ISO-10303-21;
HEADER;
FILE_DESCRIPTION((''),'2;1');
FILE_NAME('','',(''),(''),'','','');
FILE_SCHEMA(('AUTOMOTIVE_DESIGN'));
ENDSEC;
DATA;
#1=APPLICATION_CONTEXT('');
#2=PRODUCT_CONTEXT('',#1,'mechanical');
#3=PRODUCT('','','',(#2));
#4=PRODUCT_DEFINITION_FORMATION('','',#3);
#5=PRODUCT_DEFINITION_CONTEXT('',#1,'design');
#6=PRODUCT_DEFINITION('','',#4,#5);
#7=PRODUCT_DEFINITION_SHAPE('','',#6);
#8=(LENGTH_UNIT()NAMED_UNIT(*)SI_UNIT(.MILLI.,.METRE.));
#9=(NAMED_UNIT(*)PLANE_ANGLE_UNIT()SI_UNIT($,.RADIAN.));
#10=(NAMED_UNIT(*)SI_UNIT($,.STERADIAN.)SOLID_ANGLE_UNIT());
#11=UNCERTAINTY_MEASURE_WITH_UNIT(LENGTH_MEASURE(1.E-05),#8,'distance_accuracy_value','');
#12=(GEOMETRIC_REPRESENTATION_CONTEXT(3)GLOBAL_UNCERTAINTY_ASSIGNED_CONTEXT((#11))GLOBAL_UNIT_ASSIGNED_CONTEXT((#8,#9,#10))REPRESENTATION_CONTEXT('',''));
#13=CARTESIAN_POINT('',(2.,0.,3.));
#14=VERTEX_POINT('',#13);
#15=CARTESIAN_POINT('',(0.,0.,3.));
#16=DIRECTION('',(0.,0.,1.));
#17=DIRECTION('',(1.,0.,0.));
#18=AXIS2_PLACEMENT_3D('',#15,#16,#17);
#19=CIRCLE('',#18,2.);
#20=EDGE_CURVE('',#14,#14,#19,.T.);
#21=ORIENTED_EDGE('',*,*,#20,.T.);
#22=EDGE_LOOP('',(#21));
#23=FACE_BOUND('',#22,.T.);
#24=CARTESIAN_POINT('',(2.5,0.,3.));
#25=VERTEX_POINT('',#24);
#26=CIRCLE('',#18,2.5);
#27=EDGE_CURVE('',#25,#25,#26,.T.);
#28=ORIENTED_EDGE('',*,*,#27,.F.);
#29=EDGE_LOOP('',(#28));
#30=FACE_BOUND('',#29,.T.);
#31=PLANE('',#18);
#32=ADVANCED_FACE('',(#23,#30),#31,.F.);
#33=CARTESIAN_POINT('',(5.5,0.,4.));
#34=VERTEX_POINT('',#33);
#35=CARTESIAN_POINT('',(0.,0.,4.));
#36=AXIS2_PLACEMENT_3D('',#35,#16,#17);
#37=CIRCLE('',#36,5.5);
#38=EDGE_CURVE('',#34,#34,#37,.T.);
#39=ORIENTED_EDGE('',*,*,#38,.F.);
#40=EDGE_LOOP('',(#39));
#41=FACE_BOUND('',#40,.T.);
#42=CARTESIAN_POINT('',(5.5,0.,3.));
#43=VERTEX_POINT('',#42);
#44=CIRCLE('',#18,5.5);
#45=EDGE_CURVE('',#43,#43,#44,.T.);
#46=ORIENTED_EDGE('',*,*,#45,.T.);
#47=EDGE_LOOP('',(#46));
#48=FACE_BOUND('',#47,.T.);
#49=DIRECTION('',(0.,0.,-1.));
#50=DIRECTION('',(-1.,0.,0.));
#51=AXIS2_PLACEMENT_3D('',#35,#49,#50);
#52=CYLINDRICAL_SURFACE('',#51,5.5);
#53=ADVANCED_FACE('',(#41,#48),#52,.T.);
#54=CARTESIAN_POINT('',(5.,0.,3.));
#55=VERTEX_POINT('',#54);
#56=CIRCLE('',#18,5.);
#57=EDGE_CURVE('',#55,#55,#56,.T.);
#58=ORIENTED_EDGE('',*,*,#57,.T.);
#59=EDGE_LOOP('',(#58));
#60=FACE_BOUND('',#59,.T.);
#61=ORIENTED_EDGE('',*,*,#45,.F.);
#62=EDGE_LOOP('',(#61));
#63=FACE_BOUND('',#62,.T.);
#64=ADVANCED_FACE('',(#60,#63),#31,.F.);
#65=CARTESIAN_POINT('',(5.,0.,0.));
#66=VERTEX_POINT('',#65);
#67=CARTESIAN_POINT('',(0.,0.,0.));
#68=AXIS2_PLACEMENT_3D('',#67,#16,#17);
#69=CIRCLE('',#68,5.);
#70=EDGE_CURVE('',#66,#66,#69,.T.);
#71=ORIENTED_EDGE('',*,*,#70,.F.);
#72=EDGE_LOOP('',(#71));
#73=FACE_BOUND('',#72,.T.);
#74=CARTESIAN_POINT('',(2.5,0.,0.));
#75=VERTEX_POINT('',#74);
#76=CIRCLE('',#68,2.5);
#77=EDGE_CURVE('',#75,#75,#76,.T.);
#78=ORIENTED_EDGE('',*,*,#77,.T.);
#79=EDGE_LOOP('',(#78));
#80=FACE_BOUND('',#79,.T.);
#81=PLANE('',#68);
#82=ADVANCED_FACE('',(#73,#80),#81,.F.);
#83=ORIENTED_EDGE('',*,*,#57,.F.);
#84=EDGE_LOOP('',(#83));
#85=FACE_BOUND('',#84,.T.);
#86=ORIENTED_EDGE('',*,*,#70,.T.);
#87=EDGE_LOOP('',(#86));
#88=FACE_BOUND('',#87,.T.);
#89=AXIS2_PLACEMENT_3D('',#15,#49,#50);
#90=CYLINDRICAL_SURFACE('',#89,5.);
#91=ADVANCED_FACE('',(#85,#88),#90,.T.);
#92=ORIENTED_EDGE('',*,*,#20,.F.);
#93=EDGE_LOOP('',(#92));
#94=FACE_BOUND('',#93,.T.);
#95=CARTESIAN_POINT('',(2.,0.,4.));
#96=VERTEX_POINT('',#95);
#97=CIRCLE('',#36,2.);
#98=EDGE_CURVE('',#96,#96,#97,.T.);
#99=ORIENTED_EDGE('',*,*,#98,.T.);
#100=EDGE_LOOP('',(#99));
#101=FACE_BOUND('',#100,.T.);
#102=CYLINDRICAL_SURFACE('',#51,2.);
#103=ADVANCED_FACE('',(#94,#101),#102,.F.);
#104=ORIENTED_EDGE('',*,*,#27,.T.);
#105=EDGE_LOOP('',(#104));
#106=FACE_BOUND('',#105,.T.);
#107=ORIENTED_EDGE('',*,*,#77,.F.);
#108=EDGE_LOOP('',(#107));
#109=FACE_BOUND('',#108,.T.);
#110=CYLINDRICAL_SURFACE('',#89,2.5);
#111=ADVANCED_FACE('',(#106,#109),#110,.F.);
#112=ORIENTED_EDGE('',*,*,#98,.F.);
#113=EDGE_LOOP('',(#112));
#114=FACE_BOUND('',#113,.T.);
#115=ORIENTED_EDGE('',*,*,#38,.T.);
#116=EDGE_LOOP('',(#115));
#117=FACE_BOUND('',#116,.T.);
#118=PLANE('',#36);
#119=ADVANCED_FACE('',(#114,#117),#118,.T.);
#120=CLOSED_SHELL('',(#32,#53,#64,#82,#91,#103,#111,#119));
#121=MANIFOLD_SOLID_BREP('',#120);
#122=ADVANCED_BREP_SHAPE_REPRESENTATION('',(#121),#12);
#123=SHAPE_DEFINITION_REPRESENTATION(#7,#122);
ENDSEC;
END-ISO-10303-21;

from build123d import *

# Parameters (mm, degrees)
SKETCH_1_R      = 5
SKETCH_1_R_2    = 2.5
EXTRUDE_1_DEPTH = 3
SKETCH_2_R      = 5.5
SKETCH_2_R_2    = 2
EXTRUDE_2_DEPTH = 1


with BuildPart() as part:
    # 草图1 → 凸台-拉伸1 (new body)
    with BuildSketch(Plane.XY):
        Circle(SKETCH_1_R)
        Circle(SKETCH_1_R_2, mode=Mode.SUBTRACT)
    extrude(amount=EXTRUDE_1_DEPTH)

    # 草图2 → 凸台-拉伸2 (add)
    with BuildSketch(Plane.XY.offset(3)):
        Circle(SKETCH_2_R)
        Circle(SKETCH_2_R_2, mode=Mode.SUBTRACT)
    extrude(amount=EXTRUDE_2_DEPTH)


solid = part.part
